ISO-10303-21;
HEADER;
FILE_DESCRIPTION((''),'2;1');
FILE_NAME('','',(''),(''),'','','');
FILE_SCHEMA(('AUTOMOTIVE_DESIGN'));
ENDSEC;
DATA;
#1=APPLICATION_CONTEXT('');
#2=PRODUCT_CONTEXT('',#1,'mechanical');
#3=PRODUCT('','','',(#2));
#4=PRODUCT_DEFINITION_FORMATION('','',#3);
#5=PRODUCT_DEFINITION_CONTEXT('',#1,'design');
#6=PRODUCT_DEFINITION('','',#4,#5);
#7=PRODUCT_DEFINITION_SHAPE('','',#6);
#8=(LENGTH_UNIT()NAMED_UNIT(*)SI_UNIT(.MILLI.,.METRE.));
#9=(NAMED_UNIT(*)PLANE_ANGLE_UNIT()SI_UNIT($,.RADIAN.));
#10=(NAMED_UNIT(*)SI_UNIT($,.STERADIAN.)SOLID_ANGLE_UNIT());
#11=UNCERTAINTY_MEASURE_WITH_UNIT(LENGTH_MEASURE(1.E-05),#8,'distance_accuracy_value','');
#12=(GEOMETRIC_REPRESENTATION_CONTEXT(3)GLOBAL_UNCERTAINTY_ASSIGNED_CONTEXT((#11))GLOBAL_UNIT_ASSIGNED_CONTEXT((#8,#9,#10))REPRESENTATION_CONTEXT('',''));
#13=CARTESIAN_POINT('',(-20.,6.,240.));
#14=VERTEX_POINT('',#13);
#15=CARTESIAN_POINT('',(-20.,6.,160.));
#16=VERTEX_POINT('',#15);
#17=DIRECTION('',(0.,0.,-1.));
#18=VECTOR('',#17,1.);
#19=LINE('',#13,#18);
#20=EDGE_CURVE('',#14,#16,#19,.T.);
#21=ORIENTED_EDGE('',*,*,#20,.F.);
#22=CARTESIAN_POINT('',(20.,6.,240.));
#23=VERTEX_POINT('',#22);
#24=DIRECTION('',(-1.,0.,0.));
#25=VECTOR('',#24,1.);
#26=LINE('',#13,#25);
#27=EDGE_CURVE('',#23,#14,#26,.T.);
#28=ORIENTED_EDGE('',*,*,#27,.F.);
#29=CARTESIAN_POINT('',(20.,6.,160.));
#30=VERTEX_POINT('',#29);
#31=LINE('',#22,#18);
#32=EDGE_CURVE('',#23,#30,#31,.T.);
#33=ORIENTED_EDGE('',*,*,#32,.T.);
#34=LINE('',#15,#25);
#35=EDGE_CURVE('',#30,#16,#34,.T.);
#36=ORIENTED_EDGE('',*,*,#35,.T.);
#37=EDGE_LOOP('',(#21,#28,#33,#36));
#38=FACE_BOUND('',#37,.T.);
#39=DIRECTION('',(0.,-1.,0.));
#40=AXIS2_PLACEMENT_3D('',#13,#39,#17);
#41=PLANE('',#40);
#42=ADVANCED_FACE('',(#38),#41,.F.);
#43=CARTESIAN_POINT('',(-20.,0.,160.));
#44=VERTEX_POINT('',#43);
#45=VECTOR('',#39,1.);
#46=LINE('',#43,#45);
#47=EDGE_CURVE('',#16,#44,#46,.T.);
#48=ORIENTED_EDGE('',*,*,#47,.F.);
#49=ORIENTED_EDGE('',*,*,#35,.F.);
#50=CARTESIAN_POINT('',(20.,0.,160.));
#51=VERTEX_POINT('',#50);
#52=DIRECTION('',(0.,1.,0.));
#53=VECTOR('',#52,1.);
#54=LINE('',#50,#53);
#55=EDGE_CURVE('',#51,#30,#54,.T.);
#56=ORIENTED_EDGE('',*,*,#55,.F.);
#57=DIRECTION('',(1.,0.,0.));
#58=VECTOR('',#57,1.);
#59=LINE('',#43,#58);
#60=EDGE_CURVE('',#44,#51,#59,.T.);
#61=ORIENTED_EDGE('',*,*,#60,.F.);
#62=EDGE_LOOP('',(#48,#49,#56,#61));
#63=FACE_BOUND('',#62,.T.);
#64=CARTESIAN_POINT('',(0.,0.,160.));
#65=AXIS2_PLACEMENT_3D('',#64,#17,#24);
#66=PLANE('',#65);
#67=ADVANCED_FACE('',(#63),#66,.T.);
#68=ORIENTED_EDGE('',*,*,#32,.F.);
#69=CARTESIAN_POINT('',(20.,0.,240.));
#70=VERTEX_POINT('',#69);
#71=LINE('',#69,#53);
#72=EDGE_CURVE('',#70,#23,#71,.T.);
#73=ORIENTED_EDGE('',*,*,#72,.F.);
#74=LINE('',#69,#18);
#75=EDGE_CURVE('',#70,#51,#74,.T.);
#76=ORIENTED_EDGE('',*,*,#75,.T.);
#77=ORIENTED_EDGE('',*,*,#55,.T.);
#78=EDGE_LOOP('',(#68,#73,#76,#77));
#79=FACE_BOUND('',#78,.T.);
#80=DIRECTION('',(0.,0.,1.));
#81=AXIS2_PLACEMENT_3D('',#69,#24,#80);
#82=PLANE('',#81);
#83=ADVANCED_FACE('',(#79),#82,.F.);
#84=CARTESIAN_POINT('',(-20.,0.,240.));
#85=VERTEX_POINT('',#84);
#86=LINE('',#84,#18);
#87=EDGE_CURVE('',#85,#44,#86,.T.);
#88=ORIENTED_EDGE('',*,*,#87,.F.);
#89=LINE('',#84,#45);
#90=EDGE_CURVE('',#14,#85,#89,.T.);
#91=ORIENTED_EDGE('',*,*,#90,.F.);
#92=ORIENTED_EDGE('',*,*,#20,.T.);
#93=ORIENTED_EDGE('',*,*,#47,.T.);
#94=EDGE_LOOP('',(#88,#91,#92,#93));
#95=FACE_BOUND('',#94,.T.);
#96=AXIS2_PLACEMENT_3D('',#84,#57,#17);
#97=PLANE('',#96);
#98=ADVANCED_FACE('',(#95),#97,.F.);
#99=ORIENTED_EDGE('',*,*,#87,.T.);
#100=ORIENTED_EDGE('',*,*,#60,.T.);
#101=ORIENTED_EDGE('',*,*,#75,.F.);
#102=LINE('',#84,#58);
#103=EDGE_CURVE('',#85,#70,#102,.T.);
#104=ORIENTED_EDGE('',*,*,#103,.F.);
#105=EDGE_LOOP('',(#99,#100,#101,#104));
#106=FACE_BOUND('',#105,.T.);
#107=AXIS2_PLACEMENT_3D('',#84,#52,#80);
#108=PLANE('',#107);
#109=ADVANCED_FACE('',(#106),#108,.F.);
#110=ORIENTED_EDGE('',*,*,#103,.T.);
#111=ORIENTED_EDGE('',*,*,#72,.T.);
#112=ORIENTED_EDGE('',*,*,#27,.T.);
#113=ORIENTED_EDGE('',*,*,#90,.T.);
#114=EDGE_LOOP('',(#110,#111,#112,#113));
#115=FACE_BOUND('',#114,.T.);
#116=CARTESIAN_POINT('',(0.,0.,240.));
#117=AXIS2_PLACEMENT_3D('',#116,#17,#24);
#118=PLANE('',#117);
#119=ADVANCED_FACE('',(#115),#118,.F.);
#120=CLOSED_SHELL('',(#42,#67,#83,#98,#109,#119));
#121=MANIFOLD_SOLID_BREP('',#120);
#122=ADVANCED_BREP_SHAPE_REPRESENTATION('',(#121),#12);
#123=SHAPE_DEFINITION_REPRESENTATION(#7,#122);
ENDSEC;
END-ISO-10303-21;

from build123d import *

# Parameters (mm, degrees)
TEPSI_KULP_40X6X80_1_START = 160
SKETCH1_W                  = 40
SKETCH1_H                  = 6
TEPSI_KULP_40X6X80_1_DEPTH = 80


with BuildPart() as part:
    # Sketch1 → TEPSI_kulp_40x6x80_1 (new body)
    with BuildSketch(Plane.XY.offset(TEPSI_KULP_40X6X80_1_START)):
        with Locations((0, 3)):
            Rectangle(SKETCH1_W, SKETCH1_H)
    extrude(amount=TEPSI_KULP_40X6X80_1_DEPTH)


solid = part.part
